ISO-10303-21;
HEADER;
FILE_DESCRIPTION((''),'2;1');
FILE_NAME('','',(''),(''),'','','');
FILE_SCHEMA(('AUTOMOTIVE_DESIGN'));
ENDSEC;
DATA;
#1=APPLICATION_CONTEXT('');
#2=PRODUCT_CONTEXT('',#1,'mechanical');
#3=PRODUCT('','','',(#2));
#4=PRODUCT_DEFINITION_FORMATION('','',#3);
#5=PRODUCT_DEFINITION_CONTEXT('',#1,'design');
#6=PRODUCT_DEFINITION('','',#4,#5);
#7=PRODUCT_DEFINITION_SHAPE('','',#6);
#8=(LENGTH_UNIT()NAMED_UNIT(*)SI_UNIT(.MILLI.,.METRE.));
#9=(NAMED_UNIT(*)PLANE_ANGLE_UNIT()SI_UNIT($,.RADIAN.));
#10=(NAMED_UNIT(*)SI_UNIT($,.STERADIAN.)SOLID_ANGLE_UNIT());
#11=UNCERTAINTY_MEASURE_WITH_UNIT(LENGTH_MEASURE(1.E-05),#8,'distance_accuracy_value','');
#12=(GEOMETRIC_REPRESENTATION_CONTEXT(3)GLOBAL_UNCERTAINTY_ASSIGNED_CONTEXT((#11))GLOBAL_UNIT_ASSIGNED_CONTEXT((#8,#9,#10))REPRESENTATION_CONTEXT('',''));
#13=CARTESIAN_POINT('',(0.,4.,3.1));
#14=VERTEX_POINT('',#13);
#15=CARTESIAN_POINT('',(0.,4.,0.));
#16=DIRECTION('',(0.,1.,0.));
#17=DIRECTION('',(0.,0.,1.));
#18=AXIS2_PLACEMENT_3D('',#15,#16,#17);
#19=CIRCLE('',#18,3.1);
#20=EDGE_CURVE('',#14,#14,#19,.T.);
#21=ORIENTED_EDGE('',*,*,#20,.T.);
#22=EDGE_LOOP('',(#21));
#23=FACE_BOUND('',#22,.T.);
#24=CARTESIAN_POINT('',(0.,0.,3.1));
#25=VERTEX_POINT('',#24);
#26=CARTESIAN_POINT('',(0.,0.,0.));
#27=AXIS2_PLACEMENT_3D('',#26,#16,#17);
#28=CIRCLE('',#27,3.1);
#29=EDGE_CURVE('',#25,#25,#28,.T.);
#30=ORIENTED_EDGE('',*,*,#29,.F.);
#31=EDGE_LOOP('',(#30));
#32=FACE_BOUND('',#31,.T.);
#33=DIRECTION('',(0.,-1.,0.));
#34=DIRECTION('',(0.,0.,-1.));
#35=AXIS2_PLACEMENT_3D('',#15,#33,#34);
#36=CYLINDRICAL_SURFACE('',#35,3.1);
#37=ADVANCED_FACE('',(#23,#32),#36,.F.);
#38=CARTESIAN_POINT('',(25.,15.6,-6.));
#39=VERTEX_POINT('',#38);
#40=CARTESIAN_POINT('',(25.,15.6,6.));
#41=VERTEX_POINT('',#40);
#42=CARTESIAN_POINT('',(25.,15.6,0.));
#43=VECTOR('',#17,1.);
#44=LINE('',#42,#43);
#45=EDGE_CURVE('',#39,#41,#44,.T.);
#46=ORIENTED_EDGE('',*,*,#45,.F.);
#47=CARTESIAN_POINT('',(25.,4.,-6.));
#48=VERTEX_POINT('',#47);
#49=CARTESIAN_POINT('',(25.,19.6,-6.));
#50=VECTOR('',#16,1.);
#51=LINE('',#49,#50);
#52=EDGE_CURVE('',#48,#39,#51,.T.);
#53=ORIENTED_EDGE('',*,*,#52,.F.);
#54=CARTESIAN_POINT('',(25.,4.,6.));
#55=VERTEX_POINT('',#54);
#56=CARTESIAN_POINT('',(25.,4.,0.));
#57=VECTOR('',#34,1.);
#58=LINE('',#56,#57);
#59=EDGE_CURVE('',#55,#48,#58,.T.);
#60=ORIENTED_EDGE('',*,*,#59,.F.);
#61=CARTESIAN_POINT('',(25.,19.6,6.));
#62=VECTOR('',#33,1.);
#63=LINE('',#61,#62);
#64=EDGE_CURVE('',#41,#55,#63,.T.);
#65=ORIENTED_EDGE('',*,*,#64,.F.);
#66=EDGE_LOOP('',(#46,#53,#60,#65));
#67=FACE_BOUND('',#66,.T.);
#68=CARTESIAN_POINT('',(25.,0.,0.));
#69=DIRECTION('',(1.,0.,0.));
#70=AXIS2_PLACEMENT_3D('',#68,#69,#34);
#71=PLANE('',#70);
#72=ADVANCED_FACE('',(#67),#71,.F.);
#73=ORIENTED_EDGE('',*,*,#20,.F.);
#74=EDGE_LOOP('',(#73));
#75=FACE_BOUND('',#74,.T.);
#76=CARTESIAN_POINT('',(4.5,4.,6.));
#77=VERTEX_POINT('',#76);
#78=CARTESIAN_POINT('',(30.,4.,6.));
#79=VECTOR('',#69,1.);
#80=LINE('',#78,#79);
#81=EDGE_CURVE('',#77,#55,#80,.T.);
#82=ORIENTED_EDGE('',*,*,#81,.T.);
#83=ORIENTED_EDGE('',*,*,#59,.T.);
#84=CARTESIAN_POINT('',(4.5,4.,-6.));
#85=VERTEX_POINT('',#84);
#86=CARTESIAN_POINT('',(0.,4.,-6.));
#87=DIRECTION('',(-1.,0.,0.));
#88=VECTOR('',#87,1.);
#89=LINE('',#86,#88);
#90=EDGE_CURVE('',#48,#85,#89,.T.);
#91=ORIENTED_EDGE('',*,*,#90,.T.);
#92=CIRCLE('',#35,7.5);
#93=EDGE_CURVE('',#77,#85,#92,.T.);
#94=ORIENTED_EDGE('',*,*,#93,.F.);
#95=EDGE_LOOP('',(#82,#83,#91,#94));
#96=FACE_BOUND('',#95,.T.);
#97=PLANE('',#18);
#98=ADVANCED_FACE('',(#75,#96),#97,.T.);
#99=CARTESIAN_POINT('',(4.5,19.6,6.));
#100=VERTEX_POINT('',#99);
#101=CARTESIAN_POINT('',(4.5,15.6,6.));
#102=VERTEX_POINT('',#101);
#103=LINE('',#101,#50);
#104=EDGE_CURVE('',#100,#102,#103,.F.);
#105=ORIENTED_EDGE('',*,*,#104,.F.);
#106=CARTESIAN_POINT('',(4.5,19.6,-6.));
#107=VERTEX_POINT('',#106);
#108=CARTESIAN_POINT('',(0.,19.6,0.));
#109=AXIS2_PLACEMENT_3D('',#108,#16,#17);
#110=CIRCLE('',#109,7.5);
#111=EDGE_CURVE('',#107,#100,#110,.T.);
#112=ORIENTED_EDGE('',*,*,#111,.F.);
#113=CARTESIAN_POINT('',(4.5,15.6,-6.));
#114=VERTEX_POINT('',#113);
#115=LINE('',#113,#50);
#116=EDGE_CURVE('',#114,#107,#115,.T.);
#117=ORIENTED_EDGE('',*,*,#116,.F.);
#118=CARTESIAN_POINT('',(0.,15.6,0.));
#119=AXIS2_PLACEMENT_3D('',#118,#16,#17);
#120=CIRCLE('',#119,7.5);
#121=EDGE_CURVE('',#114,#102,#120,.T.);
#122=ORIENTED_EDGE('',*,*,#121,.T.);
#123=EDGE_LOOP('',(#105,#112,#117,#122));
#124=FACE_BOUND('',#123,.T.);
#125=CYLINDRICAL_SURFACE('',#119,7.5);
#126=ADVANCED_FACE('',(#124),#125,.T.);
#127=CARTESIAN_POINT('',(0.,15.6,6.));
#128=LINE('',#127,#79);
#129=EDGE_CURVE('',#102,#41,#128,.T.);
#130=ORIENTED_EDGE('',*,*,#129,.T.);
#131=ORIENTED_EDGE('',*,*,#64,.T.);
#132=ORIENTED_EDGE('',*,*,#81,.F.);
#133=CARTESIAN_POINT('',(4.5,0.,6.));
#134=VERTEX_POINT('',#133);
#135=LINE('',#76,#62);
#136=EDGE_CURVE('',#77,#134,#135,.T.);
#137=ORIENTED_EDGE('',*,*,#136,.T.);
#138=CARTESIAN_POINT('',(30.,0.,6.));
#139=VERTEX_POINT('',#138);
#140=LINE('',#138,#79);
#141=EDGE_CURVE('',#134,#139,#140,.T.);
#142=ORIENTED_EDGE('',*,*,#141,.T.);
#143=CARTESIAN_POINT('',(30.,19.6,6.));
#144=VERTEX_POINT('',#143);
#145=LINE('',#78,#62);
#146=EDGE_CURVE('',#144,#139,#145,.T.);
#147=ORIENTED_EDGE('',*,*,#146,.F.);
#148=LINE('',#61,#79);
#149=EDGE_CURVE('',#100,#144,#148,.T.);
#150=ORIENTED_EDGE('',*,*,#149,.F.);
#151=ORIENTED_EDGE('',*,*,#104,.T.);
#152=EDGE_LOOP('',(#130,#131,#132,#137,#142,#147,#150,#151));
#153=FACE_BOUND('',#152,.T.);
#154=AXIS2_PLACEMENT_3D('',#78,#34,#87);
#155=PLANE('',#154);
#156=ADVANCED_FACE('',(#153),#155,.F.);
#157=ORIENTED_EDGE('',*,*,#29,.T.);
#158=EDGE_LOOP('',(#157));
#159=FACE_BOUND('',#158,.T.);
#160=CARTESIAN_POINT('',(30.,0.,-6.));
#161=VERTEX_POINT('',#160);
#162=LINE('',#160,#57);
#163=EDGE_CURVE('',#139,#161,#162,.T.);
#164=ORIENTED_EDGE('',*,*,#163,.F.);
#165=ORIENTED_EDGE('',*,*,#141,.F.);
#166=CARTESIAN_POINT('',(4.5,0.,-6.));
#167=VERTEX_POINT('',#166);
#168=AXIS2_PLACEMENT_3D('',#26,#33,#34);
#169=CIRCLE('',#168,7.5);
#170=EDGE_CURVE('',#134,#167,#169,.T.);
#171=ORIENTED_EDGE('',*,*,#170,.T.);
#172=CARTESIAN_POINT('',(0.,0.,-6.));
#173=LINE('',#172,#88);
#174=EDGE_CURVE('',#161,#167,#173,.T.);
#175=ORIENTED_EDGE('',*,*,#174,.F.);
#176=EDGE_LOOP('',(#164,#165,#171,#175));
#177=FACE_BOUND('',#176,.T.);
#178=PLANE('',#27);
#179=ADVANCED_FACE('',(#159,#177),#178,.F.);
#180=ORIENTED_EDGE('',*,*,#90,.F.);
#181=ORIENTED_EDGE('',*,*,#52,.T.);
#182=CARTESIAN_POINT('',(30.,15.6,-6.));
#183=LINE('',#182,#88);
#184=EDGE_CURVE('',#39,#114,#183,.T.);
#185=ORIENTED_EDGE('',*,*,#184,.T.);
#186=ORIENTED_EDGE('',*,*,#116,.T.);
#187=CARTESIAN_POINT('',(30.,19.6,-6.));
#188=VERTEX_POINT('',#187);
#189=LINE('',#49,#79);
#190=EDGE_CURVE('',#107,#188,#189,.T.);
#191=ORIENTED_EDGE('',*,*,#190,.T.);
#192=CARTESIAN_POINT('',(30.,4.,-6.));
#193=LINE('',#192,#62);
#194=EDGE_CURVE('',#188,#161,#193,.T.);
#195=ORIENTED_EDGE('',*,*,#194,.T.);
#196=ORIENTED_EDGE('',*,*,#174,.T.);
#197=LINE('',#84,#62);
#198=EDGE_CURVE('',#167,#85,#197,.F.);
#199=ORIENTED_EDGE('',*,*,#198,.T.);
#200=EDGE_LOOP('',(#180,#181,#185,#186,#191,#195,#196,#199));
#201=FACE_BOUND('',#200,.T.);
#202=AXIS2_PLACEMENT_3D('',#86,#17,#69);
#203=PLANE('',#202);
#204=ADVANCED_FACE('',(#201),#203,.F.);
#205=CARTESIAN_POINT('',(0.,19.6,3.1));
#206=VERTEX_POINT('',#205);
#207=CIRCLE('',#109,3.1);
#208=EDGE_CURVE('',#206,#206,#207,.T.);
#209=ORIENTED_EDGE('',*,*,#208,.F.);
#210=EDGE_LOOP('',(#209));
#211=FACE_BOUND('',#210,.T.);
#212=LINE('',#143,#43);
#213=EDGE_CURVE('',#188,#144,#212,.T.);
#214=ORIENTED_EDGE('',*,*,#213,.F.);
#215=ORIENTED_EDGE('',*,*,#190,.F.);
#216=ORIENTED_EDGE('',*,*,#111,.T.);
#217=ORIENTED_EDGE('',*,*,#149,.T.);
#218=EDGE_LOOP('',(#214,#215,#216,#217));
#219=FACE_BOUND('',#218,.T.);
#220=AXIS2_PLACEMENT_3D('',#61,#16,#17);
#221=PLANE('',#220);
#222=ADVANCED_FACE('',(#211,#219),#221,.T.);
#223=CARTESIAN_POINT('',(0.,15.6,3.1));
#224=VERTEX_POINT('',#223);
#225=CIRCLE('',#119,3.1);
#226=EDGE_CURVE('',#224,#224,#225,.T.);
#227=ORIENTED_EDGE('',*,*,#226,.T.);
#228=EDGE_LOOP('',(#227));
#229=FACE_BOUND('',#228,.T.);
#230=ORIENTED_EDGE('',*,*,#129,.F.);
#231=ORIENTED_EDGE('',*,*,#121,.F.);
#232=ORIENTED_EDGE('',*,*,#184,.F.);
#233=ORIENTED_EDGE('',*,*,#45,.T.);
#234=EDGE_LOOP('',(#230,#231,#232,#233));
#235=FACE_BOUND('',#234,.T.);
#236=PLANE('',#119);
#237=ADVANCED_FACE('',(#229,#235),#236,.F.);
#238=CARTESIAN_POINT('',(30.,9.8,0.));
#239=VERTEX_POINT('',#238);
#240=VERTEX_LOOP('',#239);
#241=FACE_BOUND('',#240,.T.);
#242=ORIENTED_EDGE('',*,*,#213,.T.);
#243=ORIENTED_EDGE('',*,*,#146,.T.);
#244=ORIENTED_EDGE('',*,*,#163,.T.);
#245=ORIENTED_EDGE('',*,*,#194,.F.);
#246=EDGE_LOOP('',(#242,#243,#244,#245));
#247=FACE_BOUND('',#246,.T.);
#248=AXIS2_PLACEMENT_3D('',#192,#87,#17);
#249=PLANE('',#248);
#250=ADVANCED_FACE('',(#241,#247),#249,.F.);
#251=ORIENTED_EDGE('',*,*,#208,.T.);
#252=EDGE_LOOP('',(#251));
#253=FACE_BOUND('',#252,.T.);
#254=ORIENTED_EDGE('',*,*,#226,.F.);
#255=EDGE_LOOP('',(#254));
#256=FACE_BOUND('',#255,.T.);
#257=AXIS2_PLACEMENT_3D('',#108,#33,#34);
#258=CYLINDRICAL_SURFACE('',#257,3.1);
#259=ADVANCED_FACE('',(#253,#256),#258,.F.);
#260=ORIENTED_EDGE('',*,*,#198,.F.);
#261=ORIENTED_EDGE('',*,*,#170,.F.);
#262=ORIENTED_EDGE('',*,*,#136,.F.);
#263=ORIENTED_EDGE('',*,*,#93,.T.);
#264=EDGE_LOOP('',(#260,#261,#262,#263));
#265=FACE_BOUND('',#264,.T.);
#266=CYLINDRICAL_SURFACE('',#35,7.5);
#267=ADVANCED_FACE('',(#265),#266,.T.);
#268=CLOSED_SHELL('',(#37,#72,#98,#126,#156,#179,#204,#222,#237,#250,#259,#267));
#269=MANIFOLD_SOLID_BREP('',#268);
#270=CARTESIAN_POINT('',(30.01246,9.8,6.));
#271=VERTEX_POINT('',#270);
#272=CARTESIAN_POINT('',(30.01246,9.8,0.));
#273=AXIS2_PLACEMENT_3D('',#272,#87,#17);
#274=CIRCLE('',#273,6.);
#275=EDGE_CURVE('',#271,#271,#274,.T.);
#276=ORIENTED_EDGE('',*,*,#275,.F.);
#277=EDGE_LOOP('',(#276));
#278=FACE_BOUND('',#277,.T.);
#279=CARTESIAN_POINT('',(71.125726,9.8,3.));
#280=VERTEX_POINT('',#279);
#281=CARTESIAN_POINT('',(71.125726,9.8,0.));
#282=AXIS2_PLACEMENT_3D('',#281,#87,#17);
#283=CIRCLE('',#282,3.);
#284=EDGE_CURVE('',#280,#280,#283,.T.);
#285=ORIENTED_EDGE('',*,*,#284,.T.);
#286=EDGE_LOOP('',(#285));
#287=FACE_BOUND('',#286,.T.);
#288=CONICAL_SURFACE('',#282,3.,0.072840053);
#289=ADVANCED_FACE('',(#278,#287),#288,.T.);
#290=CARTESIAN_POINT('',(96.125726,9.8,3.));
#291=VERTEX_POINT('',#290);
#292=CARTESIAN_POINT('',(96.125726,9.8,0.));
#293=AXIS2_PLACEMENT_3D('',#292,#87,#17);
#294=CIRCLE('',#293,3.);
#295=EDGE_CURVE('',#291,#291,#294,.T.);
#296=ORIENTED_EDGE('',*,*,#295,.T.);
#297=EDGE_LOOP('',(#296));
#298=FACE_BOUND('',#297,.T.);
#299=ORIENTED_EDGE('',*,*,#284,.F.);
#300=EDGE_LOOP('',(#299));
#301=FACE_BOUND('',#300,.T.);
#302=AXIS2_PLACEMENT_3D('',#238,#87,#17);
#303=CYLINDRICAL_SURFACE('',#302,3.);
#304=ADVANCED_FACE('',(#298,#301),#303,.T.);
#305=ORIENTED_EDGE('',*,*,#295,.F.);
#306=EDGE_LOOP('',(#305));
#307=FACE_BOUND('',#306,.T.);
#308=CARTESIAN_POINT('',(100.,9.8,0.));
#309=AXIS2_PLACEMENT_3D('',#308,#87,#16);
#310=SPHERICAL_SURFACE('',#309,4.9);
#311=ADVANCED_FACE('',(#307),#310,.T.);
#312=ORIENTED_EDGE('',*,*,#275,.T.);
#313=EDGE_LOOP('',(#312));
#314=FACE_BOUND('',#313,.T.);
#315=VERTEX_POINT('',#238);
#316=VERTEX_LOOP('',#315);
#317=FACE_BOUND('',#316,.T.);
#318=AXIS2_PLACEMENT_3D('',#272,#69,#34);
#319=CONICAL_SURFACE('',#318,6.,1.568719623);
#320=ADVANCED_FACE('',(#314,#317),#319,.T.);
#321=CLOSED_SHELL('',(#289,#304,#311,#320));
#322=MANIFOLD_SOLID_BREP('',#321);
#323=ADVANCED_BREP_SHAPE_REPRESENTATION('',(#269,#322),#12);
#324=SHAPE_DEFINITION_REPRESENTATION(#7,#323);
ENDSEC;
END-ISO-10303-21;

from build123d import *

# Parameters (mm, degrees)
SKETCH_1_R      = 3.1
EXTRUDE_1_DEPTH = 4
SKETCH_2_R      = 3.1
EXTRUDE_2_DEPTH = 4
SKETCH_3_W      = 12
SKETCH_3_H      = 19.6
EXTRUDE_3_DEPTH = 5
EXTRUDE_START   = -4
SKETCH_4_R      = 7.5
SKETCH_4_R_2    = 3.1
EXTRUDE_4_DEPTH = 4
SKETCH_5_R      = 7.5
SKETCH_5_R_2    = 3.1
EXTRUDE_5_DEPTH = 4


with BuildPart() as part:
    # 草图1 → 凸台-拉伸1 (new body)
    with BuildSketch(Plane(origin=(0, 0, 0), x_dir=(1, 0, 0), z_dir=(0, 1, 0))):
        with BuildLine():
            Line((0, 6), (30, 6))
            Line((30, 6), (30, -6))
            Line((30, -6), (0, -6))
            ThreePointArc((0, -6), (-6, 0), (0, 6))
        make_face()
        with Locations(Location((0, 0, 0), (0, 0, 270))):
            Circle(SKETCH_1_R, mode=Mode.SUBTRACT)
    extrude(amount=EXTRUDE_1_DEPTH)



with BuildPart() as body_2:
    # 草图2 → 凸台-拉伸2 (new body)
    with BuildSketch(Plane(origin=(0, 15.6, 0), x_dir=(1, 0, 0), z_dir=(0, 1, 0))):
        with BuildLine():
            Line((0, -6), (30, -6))
            Line((30, -6), (30, 6))
            Line((30, 6), (0, 6))
            ThreePointArc((0, 6), (-6, 0), (0, -6))
        make_face()
        with Locations(Location((0, 0, 0), (0, 0, 270))):
            Circle(SKETCH_2_R, mode=Mode.SUBTRACT)
    extrude(amount=EXTRUDE_2_DEPTH)


with BuildPart() as part_1:
    add(part.part)

    add(body_2.part)  # 凸台-拉伸3 merges body 2
    # 草图3 → 凸台-拉伸3 (add)
    with BuildSketch(Plane(origin=(30, 0, 0), x_dir=(0, 0, -1), z_dir=(1, 0, 0))):
        with Locations((0, 9.8)):
            Rectangle(SKETCH_3_W, SKETCH_3_H)
    extrude(amount=-EXTRUDE_3_DEPTH)

    # 草图4 → 凸台-拉伸4 (add)
    with BuildSketch(Plane(origin=(0, 19.6, 0), x_dir=(1, 0, 0), z_dir=(0, 1, 0)).offset(EXTRUDE_START)):
        Circle(SKETCH_4_R)
        with Locations(Location((0, 0, 0), (0, 0, 270))):
            Circle(SKETCH_4_R_2, mode=Mode.SUBTRACT)
    extrude(amount=EXTRUDE_4_DEPTH)

    # 草图5 → 凸台-拉伸5 (add)
    with BuildSketch(Plane.XZ):
        Circle(SKETCH_5_R)
        with Locations(Location((0, 0, 0), (0, 0, 90))):
            Circle(SKETCH_5_R_2, mode=Mode.SUBTRACT)
    extrude(amount=-EXTRUDE_5_DEPTH)


with BuildPart() as body_2_2:
    # 草图7 → 旋转1 (revolve)
    with BuildSketch(Plane.XY):
        with BuildLine():
            Line((96.125725874, 12.8), (71.125725874, 12.8))
            Line((71.125725874, 12.8), (30.01246024, 15.8))
            Line((30.01246024, 15.8), (30, 9.8))
            Line((30, 9.8), (104.9, 9.8))
            ThreePointArc((104.9, 9.8), (101.585253416, 14.436482676), (96.125725874, 12.8))
        make_face()
    revolve(axis=Axis((30, 9.8, 0), (1, 0, 0)))


solid = Compound([part_1.part, body_2_2.part])
